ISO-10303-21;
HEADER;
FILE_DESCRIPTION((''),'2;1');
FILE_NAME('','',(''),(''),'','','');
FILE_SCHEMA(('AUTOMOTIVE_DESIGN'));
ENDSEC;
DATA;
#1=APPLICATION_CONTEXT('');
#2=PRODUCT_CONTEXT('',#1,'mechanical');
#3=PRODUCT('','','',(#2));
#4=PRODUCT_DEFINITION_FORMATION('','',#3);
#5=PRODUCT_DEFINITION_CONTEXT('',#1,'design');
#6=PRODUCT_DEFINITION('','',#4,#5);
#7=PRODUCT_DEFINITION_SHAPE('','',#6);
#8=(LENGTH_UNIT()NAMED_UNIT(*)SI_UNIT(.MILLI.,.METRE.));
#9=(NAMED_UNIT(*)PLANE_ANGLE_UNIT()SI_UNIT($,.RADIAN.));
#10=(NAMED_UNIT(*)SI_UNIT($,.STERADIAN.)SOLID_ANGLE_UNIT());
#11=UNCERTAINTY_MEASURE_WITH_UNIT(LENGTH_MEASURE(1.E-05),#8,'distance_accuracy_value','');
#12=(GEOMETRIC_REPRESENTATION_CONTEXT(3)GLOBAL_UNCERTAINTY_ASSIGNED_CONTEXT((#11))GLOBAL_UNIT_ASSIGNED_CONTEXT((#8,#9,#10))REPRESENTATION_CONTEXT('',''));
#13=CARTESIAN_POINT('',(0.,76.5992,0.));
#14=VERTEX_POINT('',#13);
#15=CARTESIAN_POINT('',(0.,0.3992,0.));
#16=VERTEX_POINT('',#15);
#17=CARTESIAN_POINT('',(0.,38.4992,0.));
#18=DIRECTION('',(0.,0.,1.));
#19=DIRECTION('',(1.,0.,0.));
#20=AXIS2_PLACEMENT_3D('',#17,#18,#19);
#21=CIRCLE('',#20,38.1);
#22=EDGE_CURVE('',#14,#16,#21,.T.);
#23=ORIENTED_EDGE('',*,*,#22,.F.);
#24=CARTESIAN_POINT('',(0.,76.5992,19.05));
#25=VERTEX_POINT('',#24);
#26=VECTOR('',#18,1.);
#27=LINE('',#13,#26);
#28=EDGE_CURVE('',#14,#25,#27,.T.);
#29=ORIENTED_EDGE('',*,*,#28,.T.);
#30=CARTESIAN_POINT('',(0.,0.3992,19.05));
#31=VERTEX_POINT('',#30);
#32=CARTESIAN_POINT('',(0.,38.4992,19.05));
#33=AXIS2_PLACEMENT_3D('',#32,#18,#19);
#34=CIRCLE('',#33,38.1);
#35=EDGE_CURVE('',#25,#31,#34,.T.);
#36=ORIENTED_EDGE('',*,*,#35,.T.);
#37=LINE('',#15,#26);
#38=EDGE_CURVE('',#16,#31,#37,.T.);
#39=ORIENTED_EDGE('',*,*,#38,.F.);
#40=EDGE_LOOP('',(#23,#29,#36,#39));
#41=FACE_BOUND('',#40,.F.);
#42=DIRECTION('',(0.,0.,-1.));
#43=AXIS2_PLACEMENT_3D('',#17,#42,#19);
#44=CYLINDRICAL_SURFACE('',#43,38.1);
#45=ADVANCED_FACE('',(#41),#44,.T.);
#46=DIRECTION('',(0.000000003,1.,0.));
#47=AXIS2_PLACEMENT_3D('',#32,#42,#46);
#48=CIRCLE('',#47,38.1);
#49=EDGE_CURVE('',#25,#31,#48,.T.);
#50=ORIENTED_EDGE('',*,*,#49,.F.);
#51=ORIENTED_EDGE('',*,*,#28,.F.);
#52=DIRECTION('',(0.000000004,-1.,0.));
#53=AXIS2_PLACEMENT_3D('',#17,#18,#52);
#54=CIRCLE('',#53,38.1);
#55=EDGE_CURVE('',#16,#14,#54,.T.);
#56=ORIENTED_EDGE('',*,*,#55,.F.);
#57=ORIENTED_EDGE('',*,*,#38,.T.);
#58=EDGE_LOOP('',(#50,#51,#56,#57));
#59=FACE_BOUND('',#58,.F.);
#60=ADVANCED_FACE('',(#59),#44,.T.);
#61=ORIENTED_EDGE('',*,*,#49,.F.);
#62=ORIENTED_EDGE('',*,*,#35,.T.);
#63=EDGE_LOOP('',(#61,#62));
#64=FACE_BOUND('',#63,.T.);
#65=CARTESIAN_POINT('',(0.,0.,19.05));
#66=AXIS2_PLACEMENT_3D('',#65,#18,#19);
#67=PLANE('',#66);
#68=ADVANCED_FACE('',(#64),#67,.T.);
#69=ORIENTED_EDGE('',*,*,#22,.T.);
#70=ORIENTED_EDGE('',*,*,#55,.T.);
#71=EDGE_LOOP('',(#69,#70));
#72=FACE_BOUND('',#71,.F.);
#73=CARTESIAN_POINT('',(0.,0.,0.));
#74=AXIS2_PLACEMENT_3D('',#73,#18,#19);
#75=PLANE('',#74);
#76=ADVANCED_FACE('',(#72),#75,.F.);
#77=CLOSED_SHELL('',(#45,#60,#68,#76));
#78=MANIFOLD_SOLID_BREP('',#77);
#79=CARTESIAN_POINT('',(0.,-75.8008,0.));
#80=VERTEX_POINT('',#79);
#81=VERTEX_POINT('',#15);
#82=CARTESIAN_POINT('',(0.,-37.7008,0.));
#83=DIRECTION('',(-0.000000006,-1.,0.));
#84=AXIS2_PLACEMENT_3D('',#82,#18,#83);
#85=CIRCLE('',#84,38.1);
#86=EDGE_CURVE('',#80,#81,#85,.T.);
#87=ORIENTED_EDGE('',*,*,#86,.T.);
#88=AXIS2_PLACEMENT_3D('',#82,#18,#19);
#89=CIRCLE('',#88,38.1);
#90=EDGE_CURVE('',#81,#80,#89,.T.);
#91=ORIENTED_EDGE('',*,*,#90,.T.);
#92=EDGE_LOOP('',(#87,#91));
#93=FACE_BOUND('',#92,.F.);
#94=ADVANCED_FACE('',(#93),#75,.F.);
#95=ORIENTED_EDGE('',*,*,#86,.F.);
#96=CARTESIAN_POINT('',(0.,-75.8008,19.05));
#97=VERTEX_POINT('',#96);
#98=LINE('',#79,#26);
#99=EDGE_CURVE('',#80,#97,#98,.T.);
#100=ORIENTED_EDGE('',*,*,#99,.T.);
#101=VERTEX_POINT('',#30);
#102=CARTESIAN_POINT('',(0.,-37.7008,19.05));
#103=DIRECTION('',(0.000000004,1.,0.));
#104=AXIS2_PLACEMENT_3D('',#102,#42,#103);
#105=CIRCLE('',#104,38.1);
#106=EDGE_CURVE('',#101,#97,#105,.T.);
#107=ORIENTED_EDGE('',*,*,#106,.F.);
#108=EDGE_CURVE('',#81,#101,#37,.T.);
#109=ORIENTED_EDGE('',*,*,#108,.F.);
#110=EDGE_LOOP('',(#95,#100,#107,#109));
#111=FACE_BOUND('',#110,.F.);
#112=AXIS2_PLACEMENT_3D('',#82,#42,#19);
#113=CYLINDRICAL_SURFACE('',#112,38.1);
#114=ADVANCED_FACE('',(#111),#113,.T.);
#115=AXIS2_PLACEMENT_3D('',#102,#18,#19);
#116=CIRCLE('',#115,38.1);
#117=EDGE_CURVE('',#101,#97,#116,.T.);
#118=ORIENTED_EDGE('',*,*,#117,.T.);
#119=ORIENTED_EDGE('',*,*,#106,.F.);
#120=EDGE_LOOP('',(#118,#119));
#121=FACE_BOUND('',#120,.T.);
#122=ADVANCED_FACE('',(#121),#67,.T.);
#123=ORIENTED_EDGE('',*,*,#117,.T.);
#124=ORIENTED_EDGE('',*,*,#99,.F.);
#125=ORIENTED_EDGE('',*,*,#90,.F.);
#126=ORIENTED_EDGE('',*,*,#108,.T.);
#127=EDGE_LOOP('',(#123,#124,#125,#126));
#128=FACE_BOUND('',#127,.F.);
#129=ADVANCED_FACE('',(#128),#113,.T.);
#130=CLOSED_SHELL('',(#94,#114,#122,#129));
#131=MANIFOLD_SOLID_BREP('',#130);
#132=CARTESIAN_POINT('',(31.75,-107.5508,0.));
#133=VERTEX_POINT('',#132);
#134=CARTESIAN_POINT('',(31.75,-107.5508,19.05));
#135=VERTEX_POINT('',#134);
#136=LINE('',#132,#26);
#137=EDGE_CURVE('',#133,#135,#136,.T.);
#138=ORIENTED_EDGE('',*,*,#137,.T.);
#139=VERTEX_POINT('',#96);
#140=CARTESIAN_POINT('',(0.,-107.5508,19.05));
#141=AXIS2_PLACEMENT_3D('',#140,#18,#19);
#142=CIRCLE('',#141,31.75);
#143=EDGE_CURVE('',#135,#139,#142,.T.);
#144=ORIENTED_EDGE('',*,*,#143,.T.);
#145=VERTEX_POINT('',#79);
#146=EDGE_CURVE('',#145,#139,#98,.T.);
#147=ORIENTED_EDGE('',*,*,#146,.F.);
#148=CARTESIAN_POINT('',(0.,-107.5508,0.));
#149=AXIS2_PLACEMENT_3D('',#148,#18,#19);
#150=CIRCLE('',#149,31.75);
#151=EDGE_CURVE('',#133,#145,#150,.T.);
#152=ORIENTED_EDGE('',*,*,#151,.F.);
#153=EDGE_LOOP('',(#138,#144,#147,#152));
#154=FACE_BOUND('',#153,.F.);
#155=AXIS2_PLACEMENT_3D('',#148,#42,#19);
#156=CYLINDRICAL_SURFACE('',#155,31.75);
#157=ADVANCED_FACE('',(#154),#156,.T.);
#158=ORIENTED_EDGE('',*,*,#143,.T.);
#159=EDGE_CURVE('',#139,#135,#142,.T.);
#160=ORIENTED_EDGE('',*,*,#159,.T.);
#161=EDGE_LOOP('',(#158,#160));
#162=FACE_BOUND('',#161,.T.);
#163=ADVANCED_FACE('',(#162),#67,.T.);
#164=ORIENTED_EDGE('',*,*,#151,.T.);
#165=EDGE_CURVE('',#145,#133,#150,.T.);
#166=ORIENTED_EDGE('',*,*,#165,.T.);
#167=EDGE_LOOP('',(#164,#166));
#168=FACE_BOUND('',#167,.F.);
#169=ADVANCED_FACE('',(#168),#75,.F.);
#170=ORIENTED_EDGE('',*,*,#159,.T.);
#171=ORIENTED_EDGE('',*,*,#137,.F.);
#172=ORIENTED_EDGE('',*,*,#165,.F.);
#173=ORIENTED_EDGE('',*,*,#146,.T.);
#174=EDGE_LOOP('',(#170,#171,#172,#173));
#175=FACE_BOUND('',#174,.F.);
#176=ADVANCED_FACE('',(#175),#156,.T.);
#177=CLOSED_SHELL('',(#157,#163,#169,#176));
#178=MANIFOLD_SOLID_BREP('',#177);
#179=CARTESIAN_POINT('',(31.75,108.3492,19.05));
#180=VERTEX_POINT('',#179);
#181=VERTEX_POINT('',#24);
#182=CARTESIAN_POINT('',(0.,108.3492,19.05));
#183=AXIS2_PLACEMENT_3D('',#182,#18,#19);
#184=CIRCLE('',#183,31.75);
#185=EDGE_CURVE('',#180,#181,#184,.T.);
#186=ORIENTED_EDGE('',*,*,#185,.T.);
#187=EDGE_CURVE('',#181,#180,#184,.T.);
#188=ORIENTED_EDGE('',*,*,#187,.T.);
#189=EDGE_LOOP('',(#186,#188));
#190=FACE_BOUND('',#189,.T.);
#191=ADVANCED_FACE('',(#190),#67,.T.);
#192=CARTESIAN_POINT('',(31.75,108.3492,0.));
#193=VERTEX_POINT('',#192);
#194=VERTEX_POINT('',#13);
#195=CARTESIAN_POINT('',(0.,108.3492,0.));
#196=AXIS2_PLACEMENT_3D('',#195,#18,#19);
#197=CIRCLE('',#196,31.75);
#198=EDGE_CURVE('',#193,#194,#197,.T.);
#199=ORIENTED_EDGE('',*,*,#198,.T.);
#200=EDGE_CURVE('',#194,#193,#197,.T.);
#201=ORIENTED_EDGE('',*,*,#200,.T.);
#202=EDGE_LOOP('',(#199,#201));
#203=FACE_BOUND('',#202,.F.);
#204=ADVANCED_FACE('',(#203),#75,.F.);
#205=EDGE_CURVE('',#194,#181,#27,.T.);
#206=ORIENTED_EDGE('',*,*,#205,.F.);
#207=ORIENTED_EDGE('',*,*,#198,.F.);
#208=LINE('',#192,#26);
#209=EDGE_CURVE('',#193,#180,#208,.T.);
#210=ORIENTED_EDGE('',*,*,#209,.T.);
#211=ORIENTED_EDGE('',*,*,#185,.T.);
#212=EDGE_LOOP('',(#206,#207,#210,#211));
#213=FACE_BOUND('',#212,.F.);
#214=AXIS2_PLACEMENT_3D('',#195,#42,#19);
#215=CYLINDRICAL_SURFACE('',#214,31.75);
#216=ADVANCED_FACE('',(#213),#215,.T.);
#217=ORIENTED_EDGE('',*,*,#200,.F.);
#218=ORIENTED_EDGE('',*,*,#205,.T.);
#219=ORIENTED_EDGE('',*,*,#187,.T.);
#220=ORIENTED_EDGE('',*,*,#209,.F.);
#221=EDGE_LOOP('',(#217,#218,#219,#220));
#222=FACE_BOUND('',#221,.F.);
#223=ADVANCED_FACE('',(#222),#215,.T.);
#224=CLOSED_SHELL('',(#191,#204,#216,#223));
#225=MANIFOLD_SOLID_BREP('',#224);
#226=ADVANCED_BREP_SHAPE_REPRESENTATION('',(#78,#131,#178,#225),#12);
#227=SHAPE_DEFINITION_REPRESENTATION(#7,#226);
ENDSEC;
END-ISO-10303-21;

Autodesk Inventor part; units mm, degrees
ref_plane "YZ Plane" through (0, 0, 0) normal (1, 0, 0) x (0, 1, 0)
ref_plane "XZ Plane" through (0, 0, 0) normal (0, 1, 0) x (-1, 0, 0)
ref_plane "XY Plane" through (0, 0, 0) normal (0, 0, 1) x (1, 0, 0)
ref_plane "Work Plane1" through (0, 0, 0) normal (0, 0, 1) x (1, 0, 0)
sketch "Sketch1" plane through (0, 0, 0) normal (0, 0, 1) x (1, 0, 0)
  circle A0 centre (0, -107.5508) radius 31.75 projected
  circle A1 centre (0, 108.3492) radius 31.75 projected
  circle A2 centre (0, 38.4992) radius 38.1 projected
  circle A3 centre (0, -37.7008) radius 38.1 projected
  point P0 (0, 0)
  point P1 (0, -75.8008)
  point P2 (0, 0.3992)
  point P3 (0, 76.5992)
extrude "Extrusion1" add sketch "Sketch1" along normal blind 19.05
properties part number "gearTemplate"
